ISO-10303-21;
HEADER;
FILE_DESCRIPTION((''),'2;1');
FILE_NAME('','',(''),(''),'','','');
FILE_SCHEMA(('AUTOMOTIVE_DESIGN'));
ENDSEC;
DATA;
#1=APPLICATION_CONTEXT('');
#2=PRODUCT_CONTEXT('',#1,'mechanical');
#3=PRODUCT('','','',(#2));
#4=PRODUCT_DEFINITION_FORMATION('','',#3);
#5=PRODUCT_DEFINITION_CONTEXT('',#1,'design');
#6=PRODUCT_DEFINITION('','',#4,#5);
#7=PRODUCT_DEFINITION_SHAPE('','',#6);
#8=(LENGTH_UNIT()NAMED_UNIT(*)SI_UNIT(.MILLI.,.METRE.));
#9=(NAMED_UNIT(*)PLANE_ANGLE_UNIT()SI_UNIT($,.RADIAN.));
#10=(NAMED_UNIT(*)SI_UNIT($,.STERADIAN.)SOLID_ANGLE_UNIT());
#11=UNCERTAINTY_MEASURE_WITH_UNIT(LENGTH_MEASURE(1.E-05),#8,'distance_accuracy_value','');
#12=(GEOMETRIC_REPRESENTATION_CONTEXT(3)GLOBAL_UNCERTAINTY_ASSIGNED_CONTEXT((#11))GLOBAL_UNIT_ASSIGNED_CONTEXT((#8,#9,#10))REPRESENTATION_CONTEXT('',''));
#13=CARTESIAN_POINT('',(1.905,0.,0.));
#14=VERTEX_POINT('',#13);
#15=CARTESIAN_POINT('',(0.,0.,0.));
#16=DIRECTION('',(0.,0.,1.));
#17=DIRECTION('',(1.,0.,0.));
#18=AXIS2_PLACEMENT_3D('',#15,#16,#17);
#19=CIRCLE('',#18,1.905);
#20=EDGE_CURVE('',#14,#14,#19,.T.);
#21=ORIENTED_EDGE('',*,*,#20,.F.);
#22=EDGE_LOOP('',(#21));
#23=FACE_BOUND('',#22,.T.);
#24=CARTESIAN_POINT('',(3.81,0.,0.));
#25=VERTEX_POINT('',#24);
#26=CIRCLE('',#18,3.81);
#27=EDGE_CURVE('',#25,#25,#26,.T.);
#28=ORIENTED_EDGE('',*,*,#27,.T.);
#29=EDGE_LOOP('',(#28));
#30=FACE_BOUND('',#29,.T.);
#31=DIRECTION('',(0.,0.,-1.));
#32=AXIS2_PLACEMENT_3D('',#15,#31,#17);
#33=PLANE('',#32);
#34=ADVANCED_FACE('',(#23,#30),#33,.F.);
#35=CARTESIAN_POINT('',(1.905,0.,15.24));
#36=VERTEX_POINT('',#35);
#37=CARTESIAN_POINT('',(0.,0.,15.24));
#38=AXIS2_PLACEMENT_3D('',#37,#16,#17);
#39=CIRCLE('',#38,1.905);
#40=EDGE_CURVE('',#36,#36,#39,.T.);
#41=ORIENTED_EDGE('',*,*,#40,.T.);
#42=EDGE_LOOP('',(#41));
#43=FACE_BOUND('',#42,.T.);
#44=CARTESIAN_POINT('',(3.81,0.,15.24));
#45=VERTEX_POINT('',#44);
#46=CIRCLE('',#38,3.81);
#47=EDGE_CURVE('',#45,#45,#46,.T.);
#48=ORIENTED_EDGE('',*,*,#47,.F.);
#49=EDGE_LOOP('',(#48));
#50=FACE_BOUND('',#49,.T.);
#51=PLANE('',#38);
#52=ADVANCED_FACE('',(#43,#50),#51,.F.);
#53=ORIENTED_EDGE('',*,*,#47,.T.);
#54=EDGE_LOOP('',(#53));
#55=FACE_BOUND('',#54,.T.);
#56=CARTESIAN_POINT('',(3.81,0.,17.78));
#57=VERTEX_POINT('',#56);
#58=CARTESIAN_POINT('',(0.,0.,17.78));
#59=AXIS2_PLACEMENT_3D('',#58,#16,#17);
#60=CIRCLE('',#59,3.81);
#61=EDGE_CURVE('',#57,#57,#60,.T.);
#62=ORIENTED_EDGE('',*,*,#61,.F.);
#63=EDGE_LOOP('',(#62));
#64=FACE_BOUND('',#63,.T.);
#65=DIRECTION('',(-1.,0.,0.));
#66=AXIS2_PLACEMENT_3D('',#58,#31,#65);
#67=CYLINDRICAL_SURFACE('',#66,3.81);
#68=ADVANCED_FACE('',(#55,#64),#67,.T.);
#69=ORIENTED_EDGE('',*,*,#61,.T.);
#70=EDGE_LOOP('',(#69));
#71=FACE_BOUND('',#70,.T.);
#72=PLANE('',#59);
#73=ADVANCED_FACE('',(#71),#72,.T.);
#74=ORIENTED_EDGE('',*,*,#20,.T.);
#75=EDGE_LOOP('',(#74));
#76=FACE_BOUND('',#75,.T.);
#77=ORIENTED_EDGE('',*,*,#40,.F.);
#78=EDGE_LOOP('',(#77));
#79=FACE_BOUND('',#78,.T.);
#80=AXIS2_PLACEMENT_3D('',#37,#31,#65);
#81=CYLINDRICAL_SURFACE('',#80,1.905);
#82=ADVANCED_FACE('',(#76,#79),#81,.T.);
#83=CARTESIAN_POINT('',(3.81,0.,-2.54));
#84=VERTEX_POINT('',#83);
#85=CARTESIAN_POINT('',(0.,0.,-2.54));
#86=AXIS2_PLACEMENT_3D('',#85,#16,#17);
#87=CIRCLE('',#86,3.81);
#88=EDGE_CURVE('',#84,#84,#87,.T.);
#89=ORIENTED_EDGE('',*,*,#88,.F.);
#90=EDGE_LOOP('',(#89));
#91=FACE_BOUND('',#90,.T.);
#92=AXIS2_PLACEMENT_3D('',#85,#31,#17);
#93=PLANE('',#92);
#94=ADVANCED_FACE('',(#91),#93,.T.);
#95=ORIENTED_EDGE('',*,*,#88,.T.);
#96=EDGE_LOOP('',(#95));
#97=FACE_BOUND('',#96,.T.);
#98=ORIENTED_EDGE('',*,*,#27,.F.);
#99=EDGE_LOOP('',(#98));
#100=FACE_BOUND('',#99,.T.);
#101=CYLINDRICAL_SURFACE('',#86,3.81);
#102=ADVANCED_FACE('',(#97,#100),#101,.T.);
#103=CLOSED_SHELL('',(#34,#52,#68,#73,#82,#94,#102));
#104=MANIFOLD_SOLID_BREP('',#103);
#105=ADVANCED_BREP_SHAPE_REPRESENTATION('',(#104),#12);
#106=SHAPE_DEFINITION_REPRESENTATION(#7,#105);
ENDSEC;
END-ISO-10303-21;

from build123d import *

# Parameters (mm, degrees)
SKETCH1_R           = 1.905
BOSS_EXTRUDE1_DEPTH = 15.24
SKETCH3_R           = 3.81
BOSS_EXTRUDE2_DEPTH = 2.54


with BuildPart() as part:
    # Sketch1 → Boss-Extrude1 (new body)
    with BuildSketch(Plane.XY):
        Circle(SKETCH1_R)
    extrude(amount=BOSS_EXTRUDE1_DEPTH)

    # Sketch3 → Boss-Extrude2 (add)
    with BuildSketch(Plane.XY.offset(15.24)):
        Circle(SKETCH3_R)
    boss_extrude2 = extrude(amount=BOSS_EXTRUDE2_DEPTH)

    # Mirror1: Boss-Extrude2 across plane
    add(boss_extrude2.mirror(Plane.XY.offset(7.62)))


solid = part.part
